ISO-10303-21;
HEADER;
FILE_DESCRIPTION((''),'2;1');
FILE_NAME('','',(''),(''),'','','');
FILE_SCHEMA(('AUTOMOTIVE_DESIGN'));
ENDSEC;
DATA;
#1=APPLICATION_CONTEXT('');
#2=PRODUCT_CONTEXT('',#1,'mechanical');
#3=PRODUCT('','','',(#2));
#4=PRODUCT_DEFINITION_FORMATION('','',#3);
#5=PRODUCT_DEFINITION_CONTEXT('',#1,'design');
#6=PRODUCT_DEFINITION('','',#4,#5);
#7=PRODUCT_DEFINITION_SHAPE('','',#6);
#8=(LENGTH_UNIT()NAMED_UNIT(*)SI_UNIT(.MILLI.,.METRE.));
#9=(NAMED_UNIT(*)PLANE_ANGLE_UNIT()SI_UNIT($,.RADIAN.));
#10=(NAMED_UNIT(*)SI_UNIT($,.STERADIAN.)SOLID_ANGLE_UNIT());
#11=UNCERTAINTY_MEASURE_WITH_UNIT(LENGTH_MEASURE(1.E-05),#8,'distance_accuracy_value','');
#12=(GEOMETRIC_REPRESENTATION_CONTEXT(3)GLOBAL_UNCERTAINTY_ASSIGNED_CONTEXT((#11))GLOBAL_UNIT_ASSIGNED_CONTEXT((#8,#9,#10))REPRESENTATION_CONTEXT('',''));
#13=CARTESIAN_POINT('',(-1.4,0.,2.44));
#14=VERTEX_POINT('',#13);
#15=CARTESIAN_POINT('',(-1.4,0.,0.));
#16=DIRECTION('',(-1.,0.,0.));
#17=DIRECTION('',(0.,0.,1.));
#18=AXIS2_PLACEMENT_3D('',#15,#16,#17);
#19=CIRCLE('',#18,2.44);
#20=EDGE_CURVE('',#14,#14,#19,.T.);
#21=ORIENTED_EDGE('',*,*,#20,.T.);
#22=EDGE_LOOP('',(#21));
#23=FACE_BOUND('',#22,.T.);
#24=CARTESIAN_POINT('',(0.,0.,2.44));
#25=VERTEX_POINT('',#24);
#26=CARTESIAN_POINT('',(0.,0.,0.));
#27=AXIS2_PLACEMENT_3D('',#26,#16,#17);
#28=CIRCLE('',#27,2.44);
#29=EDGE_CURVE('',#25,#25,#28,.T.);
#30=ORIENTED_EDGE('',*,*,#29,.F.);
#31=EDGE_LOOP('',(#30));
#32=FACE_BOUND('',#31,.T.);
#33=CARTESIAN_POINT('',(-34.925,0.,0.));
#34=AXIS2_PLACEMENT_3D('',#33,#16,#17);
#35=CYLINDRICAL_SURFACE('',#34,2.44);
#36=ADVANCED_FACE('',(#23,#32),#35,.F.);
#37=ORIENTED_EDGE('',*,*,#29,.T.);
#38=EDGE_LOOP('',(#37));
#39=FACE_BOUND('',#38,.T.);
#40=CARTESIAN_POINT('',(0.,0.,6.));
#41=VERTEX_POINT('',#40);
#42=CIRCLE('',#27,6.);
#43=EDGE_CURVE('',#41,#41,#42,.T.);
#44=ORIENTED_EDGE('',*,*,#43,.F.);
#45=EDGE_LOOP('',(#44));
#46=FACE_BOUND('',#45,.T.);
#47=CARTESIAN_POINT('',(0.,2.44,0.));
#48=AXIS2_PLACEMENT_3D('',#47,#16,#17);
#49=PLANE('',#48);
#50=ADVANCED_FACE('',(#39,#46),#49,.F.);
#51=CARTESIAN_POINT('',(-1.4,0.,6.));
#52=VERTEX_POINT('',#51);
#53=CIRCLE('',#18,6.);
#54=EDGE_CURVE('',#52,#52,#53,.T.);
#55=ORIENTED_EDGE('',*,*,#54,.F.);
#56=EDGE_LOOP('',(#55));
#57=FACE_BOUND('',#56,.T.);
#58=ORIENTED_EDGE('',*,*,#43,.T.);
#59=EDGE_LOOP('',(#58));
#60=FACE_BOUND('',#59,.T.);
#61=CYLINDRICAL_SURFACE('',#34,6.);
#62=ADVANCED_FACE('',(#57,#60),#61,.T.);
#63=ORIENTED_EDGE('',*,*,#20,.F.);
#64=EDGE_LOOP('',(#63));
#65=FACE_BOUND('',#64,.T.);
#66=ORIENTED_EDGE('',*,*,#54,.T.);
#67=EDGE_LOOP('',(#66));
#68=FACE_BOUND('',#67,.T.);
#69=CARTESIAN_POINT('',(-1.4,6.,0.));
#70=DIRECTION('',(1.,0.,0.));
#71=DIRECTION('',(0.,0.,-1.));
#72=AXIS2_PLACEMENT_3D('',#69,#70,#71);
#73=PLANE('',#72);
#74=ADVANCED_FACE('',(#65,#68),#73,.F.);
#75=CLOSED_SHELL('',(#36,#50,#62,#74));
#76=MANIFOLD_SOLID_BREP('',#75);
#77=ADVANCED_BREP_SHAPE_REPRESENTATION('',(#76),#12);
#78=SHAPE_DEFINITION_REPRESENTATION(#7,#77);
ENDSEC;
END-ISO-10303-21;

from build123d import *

# Parameters (mm, degrees)
SKETCH1_W = 1.4
SKETCH1_H = 3.56


with BuildPart() as part:
    # Sketch1 → Base-Revolve (revolve)
    with BuildSketch(Plane.XY):
        with Locations((-0.7, 4.22)):
            Rectangle(SKETCH1_W, SKETCH1_H)
    revolve(axis=Axis((-34.925, 0, 0), (1, 0, 0)))


solid = part.part
